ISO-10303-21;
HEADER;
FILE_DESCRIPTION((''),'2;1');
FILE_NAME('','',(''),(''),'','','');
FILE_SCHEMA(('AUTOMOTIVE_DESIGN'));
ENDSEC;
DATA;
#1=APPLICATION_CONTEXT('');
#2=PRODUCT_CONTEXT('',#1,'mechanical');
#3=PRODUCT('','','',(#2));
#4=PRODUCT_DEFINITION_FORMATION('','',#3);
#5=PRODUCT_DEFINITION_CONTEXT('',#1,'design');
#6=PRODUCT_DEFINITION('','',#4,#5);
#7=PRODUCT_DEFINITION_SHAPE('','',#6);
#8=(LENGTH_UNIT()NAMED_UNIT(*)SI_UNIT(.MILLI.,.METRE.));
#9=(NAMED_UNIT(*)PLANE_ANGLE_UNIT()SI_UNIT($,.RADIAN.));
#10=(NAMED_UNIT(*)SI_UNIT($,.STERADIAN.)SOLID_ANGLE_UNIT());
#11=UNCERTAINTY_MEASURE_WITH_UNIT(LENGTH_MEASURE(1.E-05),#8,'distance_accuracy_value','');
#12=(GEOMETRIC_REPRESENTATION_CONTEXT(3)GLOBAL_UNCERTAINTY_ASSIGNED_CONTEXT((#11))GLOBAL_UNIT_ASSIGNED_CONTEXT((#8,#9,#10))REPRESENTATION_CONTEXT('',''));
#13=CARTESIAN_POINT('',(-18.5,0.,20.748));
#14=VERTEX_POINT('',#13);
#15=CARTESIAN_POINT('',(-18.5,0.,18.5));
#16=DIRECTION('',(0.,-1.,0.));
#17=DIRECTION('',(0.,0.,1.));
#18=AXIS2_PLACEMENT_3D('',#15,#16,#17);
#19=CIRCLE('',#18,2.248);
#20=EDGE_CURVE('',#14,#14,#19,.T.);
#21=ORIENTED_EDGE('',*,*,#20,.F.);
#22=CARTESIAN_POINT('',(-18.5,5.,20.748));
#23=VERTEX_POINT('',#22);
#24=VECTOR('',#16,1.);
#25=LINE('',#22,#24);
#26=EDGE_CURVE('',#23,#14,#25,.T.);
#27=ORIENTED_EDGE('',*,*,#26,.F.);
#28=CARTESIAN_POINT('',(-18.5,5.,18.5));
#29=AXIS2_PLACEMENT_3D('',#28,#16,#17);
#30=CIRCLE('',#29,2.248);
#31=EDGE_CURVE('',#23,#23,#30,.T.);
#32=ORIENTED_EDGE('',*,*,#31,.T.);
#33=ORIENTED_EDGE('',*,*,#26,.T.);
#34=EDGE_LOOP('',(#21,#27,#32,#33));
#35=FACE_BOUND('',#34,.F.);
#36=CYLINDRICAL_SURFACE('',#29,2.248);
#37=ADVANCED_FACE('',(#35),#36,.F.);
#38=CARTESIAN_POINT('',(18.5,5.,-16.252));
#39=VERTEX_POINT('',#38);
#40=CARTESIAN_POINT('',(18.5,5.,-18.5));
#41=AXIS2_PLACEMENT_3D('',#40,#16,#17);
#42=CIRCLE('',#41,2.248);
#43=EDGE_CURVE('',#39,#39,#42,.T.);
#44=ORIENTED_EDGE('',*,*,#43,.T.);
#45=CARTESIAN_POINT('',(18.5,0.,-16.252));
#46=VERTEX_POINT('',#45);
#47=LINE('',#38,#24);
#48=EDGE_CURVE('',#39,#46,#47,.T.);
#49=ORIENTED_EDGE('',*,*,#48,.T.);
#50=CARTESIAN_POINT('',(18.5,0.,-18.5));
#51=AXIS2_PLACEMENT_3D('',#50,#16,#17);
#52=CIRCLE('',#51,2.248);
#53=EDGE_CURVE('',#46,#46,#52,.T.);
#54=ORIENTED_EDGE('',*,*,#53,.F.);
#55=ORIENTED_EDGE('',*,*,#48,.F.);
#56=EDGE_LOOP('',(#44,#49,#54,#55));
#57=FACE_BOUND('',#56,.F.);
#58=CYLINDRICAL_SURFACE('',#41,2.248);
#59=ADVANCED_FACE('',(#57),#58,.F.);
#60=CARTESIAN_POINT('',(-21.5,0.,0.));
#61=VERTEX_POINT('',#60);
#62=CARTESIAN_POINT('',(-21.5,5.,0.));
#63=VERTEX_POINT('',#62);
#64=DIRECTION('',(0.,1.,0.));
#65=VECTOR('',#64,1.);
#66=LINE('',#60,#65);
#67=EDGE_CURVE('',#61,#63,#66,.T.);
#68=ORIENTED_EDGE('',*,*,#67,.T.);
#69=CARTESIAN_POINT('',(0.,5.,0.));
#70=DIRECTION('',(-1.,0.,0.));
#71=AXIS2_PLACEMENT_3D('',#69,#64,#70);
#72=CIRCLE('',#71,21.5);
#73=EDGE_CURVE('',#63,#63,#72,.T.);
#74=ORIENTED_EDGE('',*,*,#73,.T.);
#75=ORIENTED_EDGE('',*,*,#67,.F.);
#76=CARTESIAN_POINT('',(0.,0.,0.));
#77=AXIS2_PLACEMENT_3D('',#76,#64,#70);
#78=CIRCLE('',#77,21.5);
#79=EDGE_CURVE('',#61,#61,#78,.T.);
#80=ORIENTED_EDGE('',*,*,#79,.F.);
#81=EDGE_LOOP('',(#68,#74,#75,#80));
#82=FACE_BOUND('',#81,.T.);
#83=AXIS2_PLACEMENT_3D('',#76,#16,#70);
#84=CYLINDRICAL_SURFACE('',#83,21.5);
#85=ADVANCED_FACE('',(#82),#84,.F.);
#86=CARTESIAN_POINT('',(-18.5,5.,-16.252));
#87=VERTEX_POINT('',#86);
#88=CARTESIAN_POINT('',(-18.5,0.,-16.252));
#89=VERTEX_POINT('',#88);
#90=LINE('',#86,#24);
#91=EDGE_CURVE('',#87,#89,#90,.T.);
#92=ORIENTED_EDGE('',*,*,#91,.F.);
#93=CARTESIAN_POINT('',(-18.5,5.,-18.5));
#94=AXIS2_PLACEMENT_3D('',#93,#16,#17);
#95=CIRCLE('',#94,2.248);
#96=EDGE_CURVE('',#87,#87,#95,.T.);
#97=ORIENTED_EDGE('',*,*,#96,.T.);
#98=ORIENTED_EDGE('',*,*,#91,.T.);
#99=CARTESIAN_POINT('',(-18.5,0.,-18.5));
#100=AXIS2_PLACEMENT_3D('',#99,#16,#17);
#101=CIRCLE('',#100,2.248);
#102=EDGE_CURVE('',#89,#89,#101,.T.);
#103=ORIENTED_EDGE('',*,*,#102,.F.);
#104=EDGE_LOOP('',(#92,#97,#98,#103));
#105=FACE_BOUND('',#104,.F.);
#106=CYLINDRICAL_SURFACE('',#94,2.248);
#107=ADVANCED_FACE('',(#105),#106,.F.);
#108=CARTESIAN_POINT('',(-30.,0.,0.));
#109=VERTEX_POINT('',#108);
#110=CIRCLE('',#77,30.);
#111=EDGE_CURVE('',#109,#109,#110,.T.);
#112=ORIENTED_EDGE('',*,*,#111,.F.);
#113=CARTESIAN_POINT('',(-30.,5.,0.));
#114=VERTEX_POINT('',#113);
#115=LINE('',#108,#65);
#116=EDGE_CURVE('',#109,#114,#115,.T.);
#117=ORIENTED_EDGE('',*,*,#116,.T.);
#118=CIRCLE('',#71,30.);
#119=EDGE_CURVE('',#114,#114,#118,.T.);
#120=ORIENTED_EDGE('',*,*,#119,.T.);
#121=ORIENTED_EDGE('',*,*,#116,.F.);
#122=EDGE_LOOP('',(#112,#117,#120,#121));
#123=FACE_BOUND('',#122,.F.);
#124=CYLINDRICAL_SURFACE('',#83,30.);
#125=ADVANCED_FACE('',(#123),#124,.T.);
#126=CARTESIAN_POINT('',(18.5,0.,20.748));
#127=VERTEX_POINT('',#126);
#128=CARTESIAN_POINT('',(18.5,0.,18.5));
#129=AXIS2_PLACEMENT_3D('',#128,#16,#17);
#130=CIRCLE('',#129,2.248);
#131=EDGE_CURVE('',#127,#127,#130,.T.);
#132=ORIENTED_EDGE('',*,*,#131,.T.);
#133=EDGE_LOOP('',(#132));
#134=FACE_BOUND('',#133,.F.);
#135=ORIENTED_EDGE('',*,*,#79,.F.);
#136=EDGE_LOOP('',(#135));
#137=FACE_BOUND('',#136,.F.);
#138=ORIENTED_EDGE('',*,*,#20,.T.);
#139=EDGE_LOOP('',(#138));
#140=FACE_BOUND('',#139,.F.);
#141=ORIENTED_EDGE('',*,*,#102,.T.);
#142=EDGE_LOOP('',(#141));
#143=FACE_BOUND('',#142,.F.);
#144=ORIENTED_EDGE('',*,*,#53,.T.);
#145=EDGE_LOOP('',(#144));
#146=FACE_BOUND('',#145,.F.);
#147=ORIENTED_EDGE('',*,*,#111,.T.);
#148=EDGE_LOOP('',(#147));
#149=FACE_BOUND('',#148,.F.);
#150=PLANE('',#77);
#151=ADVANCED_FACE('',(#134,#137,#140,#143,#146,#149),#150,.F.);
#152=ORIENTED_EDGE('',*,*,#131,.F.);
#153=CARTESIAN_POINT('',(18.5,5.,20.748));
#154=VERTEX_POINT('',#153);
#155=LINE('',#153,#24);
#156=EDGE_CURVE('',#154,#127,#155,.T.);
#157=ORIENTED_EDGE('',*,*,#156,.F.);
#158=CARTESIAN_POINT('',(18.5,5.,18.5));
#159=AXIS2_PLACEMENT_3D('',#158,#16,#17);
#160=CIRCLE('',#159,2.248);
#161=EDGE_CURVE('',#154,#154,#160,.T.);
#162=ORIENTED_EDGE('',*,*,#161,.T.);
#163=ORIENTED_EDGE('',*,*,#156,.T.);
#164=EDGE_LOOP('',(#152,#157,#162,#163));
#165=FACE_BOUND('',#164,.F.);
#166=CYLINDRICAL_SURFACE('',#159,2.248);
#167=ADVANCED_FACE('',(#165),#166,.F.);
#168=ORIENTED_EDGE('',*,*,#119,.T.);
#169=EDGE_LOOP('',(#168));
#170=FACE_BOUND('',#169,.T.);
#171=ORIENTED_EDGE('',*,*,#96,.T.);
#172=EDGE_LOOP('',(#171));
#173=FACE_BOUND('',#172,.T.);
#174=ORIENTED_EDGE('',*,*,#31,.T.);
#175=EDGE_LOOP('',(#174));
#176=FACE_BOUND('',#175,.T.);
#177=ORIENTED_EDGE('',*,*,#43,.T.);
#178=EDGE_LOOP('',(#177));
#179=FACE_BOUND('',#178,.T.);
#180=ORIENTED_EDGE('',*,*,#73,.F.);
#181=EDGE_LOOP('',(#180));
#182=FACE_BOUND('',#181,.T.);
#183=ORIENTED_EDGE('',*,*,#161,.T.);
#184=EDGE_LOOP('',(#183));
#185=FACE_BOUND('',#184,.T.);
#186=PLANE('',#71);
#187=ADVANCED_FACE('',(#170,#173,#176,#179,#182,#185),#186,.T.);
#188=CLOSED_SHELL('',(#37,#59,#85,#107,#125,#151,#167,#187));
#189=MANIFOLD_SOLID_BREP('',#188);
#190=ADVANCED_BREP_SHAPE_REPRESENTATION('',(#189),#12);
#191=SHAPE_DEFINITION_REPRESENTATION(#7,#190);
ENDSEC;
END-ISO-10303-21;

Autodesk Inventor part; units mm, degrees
ref_plane "YZ Plane" through (0, 0, 0) normal (1, 0, 0) x (0, 1, 0)
ref_plane "XZ Plane" through (0, 0, 0) normal (0, 1, 0) x (-1, 0, 0)
ref_plane "XY Plane" through (0, 0, 0) normal (0, 0, 1) x (1, 0, 0)
sketch "Sketch1" plane through (0, 0, 0) normal (0, 1, 0) x (-1, 0, 0)
  circle A0 centre (0, 0) radius 21.5
  circle A1 centre (0, 0) radius 30
  dimension "d0" = 43
  dimension "d1" = 60
extrude "Extrusion1" add sketch "Sketch1" along normal blind 5
sketch "Sketch2" plane through (0, 5, 0) normal (0, 1, 0) x (1, 0, 0)
  line L0 (18.5, -18.5) -> (-18.5, -18.5)
  line L1 (-18.5, -18.5) -> (-18.5, 18.5)
  line L2 (-18.5, 18.5) -> (18.5, 18.5)
  line L3 (18.5, 18.5) -> (18.5, -18.5)
  circle A0 centre (0, 0) radius 30 projected
  line L4 (18.5, -18.5) -> (-18.5, 18.5) construction
  line L5 (-18.5, -18.5) -> (18.5, 18.5) construction
  dimension "d4" = 37
  dimension "d5" = 37
hole "Hole1" at (-18.5, 5, 18.5) at (-18.5, 5, -18.5) at (18.5, 5, -18.5) at (18.5, 5, 18.5) direction (0, -1, 0) diameter 4.496 depth 6 clearance for "Flat Head Machine Screw (82)" size "#8" standard "Ansi Unified Screw Threads"
properties part number "immersion_chamber_plate"
